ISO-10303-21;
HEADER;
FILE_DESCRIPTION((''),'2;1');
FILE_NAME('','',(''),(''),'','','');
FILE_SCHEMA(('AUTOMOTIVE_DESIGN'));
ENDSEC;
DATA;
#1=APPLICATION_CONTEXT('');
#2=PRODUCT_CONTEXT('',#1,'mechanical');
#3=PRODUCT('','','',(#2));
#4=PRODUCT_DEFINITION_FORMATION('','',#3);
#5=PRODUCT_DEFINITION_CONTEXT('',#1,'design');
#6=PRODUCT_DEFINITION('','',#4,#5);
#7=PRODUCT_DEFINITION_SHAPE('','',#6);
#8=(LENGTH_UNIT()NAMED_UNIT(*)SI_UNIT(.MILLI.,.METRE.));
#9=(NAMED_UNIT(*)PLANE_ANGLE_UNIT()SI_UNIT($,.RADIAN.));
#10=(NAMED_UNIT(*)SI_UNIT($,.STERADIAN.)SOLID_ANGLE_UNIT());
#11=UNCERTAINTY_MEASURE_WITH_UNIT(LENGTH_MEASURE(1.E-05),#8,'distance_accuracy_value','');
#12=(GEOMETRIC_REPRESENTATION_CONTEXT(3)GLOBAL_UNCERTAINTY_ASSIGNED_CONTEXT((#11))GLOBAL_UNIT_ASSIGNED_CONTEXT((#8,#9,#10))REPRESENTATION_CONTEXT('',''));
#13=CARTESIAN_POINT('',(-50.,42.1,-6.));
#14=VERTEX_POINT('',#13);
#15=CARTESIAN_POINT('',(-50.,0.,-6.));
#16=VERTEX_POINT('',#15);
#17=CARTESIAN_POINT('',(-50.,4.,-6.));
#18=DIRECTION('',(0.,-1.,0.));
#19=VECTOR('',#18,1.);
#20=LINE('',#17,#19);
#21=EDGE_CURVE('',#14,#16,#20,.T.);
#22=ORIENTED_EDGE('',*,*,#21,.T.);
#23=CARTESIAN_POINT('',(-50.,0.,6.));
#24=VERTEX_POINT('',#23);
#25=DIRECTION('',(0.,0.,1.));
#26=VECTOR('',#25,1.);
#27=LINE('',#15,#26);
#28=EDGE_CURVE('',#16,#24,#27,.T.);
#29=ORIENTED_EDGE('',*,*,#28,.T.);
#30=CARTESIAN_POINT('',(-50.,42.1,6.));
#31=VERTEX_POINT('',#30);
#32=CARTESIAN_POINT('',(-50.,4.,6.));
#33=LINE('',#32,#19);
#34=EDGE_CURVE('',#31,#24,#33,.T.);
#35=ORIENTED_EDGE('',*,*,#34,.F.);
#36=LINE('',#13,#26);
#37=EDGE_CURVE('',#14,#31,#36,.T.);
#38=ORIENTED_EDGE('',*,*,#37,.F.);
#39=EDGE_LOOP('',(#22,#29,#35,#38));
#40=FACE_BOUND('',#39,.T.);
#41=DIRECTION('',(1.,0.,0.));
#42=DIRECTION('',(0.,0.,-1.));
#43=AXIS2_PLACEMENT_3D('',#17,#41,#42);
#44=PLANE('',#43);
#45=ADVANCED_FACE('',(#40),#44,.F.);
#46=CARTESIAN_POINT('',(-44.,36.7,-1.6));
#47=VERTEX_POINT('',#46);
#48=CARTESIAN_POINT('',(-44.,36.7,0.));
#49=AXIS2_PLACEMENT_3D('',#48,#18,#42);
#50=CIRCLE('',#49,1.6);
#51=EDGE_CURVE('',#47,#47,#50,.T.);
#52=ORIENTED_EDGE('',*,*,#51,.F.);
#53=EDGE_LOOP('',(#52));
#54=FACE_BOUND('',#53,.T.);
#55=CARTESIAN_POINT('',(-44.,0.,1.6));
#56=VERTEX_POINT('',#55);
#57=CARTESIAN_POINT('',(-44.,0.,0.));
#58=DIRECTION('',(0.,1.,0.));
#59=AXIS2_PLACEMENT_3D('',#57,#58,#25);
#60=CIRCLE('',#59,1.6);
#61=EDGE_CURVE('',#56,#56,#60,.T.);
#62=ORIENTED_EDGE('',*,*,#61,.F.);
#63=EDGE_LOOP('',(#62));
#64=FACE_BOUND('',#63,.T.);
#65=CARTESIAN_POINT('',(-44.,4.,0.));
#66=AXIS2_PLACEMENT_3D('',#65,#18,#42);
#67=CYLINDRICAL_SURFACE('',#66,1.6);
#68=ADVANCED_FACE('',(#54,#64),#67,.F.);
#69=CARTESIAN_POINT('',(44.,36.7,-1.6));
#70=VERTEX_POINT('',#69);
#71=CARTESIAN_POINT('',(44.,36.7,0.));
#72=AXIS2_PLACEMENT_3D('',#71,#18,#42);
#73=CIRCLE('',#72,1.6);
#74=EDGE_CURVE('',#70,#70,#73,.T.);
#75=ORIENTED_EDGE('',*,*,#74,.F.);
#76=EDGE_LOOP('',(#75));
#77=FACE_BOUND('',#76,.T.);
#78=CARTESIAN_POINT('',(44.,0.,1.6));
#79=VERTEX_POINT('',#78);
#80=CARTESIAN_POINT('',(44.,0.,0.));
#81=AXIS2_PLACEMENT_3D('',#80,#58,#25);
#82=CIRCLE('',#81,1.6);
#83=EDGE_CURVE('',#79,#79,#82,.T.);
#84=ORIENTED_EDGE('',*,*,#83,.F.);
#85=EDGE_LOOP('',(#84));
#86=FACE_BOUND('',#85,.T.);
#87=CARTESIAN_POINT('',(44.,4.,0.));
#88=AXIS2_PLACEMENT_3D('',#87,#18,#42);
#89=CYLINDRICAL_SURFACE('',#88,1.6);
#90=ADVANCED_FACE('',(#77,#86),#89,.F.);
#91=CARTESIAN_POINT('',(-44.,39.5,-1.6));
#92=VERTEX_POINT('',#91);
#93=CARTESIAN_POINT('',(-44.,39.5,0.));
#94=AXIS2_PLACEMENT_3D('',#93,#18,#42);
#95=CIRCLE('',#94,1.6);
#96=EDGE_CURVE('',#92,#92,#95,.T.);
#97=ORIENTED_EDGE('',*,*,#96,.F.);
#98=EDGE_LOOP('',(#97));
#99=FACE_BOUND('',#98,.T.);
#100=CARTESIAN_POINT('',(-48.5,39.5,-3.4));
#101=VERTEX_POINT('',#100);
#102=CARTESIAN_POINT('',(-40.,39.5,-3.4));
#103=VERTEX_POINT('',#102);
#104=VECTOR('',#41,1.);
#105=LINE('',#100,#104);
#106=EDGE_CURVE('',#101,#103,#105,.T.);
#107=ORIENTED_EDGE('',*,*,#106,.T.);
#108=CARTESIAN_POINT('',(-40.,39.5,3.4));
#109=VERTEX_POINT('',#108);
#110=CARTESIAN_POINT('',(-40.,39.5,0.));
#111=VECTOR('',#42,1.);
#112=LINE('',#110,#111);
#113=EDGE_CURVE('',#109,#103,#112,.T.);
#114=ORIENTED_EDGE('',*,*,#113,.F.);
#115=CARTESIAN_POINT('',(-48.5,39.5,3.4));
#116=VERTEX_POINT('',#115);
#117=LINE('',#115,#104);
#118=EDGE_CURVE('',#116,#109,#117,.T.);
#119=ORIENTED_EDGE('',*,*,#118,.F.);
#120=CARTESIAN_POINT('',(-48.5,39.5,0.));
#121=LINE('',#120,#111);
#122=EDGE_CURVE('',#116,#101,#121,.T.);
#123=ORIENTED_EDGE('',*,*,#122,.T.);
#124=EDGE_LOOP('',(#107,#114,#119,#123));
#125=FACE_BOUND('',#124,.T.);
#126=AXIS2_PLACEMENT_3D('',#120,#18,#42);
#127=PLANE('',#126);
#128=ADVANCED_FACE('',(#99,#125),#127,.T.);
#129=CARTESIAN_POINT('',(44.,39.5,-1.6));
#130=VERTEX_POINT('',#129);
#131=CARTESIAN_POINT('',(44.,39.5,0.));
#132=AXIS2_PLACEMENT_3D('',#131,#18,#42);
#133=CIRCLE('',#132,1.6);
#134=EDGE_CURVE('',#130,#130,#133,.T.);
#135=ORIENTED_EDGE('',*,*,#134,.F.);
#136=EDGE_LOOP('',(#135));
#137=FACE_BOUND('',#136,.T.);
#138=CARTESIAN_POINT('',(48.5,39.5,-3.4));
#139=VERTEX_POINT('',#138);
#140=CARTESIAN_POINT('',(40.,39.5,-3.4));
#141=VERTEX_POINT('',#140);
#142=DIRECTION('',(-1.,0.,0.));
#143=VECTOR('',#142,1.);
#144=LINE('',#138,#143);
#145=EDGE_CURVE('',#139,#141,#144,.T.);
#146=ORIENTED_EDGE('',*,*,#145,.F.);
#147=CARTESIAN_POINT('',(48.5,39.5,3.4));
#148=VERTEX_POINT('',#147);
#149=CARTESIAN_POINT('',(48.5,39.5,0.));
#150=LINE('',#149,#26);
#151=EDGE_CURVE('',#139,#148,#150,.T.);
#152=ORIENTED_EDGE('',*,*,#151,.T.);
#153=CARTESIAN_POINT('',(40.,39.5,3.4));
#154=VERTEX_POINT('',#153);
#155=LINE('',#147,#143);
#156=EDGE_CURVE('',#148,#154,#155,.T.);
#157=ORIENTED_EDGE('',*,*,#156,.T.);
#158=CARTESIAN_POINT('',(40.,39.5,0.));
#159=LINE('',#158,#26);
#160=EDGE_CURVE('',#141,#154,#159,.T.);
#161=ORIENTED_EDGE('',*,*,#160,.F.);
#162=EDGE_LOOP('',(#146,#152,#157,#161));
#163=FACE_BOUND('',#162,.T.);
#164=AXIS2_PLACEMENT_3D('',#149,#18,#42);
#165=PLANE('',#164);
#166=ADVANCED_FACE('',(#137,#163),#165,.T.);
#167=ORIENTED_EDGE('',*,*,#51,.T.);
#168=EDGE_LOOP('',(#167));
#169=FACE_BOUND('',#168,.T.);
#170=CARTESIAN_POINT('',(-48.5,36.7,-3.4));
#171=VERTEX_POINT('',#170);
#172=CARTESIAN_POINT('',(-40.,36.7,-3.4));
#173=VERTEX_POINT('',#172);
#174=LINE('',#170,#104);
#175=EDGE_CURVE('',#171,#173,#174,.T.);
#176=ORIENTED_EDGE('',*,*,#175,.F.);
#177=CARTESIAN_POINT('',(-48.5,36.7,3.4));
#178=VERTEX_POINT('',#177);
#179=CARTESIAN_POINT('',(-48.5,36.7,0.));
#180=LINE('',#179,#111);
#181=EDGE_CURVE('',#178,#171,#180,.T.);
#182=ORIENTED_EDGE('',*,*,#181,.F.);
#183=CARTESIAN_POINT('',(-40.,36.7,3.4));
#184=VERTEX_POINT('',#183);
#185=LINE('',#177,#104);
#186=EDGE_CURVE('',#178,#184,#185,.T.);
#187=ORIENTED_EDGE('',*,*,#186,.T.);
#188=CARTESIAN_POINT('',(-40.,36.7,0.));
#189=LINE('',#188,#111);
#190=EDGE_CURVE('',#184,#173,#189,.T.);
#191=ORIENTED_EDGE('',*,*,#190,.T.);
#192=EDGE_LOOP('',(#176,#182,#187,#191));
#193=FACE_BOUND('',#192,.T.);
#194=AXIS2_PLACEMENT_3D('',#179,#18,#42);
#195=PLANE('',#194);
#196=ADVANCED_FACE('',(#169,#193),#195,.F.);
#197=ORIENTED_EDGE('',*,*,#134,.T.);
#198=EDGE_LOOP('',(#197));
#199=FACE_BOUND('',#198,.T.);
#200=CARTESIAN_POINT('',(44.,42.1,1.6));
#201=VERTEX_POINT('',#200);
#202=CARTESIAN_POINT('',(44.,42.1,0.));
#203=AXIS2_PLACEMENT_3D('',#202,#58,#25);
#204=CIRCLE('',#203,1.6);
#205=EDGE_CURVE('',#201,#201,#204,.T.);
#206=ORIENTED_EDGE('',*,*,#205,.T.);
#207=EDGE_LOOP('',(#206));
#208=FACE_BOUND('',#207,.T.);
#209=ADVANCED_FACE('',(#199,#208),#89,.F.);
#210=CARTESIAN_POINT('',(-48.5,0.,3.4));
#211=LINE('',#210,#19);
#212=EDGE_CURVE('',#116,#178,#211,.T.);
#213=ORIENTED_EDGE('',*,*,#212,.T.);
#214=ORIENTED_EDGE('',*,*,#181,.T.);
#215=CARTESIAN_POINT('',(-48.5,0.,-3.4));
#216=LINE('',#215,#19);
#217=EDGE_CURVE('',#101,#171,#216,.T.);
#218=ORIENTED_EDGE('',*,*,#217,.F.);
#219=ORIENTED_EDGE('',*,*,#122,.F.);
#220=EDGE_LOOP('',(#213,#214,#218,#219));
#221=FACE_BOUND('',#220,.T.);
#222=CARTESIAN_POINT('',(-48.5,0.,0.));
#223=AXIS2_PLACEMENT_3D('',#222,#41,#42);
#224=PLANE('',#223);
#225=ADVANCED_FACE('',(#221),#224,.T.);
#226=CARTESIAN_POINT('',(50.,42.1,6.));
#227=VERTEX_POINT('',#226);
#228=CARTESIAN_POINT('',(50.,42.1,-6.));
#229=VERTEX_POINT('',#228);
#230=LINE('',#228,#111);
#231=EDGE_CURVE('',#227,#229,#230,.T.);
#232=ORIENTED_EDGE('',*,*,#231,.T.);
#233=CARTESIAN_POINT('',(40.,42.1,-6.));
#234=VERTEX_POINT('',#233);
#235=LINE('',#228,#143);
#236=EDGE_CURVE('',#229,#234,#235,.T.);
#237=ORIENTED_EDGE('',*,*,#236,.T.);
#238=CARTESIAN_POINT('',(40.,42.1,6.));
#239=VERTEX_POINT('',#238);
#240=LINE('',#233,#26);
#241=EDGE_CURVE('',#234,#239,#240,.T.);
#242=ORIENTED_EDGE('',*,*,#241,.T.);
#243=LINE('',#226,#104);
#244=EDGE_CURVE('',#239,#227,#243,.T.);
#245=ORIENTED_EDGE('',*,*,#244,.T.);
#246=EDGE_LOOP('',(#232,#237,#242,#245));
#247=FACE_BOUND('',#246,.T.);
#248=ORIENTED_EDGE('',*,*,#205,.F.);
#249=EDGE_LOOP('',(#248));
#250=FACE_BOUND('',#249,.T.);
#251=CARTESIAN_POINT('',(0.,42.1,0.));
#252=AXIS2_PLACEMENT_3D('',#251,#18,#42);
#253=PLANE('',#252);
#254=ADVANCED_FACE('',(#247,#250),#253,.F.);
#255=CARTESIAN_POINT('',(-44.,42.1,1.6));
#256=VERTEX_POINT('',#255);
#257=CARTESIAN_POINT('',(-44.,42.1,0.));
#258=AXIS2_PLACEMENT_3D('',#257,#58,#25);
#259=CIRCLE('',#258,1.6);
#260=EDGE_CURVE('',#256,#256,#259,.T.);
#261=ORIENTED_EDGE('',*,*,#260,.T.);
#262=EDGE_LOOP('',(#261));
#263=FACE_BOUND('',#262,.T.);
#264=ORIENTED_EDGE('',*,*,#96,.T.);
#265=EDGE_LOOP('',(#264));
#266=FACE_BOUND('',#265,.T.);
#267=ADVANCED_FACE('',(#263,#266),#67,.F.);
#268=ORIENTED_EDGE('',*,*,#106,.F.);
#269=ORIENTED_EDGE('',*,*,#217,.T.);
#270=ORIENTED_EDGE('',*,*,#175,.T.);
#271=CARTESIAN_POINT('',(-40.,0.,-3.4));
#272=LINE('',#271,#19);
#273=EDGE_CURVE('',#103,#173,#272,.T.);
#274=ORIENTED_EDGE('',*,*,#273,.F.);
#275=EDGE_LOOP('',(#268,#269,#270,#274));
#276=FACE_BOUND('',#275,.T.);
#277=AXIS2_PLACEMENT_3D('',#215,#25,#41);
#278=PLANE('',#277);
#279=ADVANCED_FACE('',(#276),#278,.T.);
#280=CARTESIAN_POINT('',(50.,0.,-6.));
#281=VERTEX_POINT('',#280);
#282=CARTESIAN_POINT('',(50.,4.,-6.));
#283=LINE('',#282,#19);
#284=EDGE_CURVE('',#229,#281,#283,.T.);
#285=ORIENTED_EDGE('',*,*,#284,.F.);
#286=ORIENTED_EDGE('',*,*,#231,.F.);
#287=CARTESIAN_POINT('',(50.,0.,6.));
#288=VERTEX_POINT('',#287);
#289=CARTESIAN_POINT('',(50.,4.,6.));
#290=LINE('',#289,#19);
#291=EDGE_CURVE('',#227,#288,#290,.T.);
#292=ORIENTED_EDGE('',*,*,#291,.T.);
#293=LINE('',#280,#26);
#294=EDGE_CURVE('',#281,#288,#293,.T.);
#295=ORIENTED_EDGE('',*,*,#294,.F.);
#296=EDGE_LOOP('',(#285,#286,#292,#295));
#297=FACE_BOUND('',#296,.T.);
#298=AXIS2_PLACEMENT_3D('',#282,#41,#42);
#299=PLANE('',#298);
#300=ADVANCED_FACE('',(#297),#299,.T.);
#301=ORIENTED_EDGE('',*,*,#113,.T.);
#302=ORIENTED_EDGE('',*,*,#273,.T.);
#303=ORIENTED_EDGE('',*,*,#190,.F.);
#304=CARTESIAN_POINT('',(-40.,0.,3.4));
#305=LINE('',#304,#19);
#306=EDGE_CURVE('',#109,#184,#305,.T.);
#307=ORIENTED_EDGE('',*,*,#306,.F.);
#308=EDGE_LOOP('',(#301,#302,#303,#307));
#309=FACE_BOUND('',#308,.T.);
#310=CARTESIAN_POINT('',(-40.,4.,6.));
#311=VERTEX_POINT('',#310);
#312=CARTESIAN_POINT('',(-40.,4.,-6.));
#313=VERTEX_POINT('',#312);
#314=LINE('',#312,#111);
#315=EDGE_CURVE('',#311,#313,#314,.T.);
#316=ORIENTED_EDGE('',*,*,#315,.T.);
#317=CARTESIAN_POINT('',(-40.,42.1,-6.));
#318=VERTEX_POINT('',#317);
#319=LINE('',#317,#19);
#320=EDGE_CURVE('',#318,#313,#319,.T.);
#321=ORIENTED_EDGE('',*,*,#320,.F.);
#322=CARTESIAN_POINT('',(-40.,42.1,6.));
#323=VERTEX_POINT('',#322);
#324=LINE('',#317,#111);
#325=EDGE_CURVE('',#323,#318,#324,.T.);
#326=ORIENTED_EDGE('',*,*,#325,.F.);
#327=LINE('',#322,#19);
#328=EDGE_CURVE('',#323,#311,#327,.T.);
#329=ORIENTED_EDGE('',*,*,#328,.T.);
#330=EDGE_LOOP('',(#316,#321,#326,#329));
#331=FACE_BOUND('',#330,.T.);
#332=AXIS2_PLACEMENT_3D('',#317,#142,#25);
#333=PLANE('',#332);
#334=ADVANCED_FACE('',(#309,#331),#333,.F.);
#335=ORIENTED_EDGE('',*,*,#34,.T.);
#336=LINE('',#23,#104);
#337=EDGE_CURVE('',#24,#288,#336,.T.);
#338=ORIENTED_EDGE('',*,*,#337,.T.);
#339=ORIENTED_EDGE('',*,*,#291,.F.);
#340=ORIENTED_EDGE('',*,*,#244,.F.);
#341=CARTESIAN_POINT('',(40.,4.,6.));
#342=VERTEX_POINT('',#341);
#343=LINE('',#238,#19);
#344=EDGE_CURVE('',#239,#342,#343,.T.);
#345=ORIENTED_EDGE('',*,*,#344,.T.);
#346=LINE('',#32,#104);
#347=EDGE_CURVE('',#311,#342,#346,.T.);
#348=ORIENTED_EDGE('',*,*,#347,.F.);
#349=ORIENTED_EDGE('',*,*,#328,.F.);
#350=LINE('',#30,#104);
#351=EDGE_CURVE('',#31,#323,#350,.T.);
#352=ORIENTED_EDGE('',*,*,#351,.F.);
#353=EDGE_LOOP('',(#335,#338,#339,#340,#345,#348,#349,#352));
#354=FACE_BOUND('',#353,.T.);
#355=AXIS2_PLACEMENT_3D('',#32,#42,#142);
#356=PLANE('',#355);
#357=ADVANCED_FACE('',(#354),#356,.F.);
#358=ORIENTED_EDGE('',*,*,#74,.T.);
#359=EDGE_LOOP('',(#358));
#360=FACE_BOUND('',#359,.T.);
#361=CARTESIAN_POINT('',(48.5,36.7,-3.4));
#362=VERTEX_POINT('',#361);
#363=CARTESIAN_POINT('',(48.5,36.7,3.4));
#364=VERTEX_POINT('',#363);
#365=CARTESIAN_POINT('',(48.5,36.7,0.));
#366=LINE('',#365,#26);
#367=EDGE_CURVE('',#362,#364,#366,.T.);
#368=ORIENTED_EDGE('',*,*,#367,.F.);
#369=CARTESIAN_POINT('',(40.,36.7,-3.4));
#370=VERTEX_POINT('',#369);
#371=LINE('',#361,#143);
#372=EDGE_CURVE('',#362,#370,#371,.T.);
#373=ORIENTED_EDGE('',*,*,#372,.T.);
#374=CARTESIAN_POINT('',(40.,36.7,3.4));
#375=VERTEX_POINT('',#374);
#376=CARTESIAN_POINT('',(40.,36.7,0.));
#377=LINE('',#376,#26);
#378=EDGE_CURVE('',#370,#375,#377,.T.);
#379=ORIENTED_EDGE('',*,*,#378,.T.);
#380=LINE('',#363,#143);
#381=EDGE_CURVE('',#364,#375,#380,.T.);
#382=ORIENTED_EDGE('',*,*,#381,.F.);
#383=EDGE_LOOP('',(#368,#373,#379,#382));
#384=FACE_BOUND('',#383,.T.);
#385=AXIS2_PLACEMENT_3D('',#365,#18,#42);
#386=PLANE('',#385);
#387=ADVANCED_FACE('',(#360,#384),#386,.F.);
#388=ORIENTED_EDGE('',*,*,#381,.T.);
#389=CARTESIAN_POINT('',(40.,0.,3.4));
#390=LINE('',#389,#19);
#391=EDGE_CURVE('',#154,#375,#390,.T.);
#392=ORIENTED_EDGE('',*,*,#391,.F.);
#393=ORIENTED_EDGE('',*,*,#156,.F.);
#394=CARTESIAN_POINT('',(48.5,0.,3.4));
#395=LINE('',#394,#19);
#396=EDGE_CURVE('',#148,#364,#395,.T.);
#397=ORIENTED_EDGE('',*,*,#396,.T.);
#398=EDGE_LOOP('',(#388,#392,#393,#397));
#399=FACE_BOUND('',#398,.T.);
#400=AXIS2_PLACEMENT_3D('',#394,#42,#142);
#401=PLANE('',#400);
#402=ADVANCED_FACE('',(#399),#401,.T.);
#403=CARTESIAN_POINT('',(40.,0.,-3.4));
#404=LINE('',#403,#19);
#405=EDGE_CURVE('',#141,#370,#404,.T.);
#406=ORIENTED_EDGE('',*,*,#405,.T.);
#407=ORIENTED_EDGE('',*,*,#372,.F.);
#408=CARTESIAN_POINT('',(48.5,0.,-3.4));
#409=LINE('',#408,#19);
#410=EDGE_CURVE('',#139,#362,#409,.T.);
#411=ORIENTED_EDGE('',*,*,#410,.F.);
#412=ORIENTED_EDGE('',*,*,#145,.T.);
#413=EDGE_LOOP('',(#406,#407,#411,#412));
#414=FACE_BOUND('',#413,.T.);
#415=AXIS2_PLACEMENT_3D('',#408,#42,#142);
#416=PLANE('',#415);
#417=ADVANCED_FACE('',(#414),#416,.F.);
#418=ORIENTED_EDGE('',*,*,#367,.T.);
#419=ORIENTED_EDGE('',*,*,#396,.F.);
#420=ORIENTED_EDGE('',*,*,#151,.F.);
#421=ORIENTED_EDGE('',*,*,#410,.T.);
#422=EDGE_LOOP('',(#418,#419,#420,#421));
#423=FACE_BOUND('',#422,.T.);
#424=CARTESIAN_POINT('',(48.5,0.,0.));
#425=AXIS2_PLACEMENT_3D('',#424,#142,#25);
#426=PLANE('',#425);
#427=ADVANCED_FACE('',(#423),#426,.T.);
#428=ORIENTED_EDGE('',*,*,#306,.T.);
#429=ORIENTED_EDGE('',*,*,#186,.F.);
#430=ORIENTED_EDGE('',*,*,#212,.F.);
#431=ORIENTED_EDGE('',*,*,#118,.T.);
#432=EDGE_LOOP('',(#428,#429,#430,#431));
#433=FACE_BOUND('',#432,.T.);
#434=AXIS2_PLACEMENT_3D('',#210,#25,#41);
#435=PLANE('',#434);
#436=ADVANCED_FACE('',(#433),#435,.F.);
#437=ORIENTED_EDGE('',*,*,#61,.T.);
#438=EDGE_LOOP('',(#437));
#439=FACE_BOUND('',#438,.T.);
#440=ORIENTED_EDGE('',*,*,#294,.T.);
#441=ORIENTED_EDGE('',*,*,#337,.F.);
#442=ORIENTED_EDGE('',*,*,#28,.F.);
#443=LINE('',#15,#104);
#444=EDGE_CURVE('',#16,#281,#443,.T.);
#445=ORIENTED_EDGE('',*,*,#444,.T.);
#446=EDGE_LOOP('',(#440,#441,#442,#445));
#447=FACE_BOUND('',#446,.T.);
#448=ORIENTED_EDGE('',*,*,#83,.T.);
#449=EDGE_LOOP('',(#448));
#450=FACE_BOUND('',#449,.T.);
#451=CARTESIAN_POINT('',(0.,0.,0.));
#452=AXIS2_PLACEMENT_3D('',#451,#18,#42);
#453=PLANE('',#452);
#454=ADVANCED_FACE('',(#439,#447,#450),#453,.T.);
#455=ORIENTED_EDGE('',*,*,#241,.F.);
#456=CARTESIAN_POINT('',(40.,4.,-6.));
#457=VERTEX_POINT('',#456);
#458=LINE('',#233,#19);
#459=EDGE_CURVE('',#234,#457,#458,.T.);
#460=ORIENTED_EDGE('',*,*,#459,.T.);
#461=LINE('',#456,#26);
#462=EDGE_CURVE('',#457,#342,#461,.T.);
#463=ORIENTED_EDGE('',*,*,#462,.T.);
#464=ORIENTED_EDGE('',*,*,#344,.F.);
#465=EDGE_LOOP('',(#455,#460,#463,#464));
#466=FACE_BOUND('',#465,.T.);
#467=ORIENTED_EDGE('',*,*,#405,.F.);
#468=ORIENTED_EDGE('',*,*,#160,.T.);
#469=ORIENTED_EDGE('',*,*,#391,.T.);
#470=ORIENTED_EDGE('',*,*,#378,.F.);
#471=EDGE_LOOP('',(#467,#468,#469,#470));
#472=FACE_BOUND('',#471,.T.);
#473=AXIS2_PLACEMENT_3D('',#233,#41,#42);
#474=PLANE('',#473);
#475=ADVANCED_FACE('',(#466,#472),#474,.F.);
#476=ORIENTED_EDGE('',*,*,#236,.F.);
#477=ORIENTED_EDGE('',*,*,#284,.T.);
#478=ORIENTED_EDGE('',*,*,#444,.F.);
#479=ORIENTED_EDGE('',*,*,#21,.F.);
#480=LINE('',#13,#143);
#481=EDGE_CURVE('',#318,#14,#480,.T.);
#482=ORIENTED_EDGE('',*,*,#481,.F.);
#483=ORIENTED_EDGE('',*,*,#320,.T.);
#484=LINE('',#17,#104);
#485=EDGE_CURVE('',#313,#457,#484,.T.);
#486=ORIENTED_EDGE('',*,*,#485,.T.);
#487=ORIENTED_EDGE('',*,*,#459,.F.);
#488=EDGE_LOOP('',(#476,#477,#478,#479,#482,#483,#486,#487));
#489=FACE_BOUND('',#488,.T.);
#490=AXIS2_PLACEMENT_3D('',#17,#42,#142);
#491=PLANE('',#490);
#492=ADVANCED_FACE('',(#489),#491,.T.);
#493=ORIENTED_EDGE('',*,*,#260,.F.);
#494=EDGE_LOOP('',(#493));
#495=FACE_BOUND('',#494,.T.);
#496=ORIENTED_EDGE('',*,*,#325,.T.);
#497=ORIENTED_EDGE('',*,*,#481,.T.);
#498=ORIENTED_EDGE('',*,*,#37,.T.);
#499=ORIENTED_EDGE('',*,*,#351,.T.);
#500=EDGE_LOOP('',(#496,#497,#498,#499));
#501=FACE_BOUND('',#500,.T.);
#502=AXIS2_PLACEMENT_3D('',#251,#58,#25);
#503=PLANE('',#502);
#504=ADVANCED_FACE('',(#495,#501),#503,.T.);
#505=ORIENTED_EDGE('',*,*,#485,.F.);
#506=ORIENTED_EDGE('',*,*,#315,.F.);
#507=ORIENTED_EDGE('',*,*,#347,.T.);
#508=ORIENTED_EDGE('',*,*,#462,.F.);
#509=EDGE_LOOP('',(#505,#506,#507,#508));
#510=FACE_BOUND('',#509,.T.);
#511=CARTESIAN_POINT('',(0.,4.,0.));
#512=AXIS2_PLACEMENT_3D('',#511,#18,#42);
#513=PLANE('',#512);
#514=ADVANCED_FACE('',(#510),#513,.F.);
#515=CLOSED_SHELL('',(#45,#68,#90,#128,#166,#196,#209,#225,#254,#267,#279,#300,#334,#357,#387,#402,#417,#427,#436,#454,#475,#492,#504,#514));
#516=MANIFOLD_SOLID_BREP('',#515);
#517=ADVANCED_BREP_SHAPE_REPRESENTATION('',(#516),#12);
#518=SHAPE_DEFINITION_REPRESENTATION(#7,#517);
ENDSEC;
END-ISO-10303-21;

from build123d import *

# Parameters (mm, degrees)
SKETCH2_W         = 100
SKETCH2_H         = 12
SKETCH2_R         = 1.6
BODY_DEPTH        = 4
SKETCH4_W         = 10
SKETCH4_H         = 12
SKETCH4_R         = 1.6
WINGS_DEPTH       = 38.1
SKETCH6_W         = 6.8
SKETCH6_H         = 2.8
CAPTIVE_NUT_DEPTH = 8.5
CIRPATTERN1_COUNT = 2


with BuildPart() as part:
    # Sketch2 → body (new body)
    with BuildSketch(Plane(origin=(0, 0, 0), x_dir=(1, 0, 0), z_dir=(0, 1, 0))):
        Rectangle(SKETCH2_W, SKETCH2_H)
        with Locations(Location((-44, 0, 0), (0, 0, 270))):
            Circle(SKETCH2_R, mode=Mode.SUBTRACT)
        with Locations(Location((44, 0, 0), (0, 0, 270))):
            Circle(SKETCH2_R, mode=Mode.SUBTRACT)
    extrude(amount=BODY_DEPTH)

    # Sketch4 → wings (add)
    # profile 1 of 2: a face of its own
    with BuildSketch(Plane(origin=(0, 4, 0), x_dir=(1, 0, 0), z_dir=(0, 1, 0))):
        with Locations((-45, 0)):
            Rectangle(SKETCH4_W, SKETCH4_H)
        with Locations(Location((-44, 0, 0), (0, 0, 270))):
            Circle(SKETCH4_R, mode=Mode.SUBTRACT)
    # profile 2 of 2: a face of its own
    with BuildSketch(Plane(origin=(0, 4, 0), x_dir=(1, 0, 0), z_dir=(0, 1, 0))):
        with Locations((45, 0)):
            Rectangle(SKETCH4_W, SKETCH4_H)
        with Locations(Location((44, 0, 0), (0, 0, 270))):
            Circle(SKETCH4_R, mode=Mode.SUBTRACT)
    extrude(amount=WINGS_DEPTH)

    # Sketch6 → captive-nut (cut)
    with BuildSketch(Plane.ZY.offset(-40)):
        with Locations((0, 38.1)):
            Rectangle(SKETCH6_W, SKETCH6_H)
    captive_nut = extrude(amount=-CAPTIVE_NUT_DEPTH, mode=Mode.SUBTRACT)

    # CirPattern1: captive-nut ×2 about axis
    cirpattern1_axis = Axis((0, 0, 0), (0, 1, 0))
    for i in range(1, CIRPATTERN1_COUNT):
        add(captive_nut.rotate(cirpattern1_axis, i * 360 / CIRPATTERN1_COUNT), mode=Mode.SUBTRACT)


solid = part.part
